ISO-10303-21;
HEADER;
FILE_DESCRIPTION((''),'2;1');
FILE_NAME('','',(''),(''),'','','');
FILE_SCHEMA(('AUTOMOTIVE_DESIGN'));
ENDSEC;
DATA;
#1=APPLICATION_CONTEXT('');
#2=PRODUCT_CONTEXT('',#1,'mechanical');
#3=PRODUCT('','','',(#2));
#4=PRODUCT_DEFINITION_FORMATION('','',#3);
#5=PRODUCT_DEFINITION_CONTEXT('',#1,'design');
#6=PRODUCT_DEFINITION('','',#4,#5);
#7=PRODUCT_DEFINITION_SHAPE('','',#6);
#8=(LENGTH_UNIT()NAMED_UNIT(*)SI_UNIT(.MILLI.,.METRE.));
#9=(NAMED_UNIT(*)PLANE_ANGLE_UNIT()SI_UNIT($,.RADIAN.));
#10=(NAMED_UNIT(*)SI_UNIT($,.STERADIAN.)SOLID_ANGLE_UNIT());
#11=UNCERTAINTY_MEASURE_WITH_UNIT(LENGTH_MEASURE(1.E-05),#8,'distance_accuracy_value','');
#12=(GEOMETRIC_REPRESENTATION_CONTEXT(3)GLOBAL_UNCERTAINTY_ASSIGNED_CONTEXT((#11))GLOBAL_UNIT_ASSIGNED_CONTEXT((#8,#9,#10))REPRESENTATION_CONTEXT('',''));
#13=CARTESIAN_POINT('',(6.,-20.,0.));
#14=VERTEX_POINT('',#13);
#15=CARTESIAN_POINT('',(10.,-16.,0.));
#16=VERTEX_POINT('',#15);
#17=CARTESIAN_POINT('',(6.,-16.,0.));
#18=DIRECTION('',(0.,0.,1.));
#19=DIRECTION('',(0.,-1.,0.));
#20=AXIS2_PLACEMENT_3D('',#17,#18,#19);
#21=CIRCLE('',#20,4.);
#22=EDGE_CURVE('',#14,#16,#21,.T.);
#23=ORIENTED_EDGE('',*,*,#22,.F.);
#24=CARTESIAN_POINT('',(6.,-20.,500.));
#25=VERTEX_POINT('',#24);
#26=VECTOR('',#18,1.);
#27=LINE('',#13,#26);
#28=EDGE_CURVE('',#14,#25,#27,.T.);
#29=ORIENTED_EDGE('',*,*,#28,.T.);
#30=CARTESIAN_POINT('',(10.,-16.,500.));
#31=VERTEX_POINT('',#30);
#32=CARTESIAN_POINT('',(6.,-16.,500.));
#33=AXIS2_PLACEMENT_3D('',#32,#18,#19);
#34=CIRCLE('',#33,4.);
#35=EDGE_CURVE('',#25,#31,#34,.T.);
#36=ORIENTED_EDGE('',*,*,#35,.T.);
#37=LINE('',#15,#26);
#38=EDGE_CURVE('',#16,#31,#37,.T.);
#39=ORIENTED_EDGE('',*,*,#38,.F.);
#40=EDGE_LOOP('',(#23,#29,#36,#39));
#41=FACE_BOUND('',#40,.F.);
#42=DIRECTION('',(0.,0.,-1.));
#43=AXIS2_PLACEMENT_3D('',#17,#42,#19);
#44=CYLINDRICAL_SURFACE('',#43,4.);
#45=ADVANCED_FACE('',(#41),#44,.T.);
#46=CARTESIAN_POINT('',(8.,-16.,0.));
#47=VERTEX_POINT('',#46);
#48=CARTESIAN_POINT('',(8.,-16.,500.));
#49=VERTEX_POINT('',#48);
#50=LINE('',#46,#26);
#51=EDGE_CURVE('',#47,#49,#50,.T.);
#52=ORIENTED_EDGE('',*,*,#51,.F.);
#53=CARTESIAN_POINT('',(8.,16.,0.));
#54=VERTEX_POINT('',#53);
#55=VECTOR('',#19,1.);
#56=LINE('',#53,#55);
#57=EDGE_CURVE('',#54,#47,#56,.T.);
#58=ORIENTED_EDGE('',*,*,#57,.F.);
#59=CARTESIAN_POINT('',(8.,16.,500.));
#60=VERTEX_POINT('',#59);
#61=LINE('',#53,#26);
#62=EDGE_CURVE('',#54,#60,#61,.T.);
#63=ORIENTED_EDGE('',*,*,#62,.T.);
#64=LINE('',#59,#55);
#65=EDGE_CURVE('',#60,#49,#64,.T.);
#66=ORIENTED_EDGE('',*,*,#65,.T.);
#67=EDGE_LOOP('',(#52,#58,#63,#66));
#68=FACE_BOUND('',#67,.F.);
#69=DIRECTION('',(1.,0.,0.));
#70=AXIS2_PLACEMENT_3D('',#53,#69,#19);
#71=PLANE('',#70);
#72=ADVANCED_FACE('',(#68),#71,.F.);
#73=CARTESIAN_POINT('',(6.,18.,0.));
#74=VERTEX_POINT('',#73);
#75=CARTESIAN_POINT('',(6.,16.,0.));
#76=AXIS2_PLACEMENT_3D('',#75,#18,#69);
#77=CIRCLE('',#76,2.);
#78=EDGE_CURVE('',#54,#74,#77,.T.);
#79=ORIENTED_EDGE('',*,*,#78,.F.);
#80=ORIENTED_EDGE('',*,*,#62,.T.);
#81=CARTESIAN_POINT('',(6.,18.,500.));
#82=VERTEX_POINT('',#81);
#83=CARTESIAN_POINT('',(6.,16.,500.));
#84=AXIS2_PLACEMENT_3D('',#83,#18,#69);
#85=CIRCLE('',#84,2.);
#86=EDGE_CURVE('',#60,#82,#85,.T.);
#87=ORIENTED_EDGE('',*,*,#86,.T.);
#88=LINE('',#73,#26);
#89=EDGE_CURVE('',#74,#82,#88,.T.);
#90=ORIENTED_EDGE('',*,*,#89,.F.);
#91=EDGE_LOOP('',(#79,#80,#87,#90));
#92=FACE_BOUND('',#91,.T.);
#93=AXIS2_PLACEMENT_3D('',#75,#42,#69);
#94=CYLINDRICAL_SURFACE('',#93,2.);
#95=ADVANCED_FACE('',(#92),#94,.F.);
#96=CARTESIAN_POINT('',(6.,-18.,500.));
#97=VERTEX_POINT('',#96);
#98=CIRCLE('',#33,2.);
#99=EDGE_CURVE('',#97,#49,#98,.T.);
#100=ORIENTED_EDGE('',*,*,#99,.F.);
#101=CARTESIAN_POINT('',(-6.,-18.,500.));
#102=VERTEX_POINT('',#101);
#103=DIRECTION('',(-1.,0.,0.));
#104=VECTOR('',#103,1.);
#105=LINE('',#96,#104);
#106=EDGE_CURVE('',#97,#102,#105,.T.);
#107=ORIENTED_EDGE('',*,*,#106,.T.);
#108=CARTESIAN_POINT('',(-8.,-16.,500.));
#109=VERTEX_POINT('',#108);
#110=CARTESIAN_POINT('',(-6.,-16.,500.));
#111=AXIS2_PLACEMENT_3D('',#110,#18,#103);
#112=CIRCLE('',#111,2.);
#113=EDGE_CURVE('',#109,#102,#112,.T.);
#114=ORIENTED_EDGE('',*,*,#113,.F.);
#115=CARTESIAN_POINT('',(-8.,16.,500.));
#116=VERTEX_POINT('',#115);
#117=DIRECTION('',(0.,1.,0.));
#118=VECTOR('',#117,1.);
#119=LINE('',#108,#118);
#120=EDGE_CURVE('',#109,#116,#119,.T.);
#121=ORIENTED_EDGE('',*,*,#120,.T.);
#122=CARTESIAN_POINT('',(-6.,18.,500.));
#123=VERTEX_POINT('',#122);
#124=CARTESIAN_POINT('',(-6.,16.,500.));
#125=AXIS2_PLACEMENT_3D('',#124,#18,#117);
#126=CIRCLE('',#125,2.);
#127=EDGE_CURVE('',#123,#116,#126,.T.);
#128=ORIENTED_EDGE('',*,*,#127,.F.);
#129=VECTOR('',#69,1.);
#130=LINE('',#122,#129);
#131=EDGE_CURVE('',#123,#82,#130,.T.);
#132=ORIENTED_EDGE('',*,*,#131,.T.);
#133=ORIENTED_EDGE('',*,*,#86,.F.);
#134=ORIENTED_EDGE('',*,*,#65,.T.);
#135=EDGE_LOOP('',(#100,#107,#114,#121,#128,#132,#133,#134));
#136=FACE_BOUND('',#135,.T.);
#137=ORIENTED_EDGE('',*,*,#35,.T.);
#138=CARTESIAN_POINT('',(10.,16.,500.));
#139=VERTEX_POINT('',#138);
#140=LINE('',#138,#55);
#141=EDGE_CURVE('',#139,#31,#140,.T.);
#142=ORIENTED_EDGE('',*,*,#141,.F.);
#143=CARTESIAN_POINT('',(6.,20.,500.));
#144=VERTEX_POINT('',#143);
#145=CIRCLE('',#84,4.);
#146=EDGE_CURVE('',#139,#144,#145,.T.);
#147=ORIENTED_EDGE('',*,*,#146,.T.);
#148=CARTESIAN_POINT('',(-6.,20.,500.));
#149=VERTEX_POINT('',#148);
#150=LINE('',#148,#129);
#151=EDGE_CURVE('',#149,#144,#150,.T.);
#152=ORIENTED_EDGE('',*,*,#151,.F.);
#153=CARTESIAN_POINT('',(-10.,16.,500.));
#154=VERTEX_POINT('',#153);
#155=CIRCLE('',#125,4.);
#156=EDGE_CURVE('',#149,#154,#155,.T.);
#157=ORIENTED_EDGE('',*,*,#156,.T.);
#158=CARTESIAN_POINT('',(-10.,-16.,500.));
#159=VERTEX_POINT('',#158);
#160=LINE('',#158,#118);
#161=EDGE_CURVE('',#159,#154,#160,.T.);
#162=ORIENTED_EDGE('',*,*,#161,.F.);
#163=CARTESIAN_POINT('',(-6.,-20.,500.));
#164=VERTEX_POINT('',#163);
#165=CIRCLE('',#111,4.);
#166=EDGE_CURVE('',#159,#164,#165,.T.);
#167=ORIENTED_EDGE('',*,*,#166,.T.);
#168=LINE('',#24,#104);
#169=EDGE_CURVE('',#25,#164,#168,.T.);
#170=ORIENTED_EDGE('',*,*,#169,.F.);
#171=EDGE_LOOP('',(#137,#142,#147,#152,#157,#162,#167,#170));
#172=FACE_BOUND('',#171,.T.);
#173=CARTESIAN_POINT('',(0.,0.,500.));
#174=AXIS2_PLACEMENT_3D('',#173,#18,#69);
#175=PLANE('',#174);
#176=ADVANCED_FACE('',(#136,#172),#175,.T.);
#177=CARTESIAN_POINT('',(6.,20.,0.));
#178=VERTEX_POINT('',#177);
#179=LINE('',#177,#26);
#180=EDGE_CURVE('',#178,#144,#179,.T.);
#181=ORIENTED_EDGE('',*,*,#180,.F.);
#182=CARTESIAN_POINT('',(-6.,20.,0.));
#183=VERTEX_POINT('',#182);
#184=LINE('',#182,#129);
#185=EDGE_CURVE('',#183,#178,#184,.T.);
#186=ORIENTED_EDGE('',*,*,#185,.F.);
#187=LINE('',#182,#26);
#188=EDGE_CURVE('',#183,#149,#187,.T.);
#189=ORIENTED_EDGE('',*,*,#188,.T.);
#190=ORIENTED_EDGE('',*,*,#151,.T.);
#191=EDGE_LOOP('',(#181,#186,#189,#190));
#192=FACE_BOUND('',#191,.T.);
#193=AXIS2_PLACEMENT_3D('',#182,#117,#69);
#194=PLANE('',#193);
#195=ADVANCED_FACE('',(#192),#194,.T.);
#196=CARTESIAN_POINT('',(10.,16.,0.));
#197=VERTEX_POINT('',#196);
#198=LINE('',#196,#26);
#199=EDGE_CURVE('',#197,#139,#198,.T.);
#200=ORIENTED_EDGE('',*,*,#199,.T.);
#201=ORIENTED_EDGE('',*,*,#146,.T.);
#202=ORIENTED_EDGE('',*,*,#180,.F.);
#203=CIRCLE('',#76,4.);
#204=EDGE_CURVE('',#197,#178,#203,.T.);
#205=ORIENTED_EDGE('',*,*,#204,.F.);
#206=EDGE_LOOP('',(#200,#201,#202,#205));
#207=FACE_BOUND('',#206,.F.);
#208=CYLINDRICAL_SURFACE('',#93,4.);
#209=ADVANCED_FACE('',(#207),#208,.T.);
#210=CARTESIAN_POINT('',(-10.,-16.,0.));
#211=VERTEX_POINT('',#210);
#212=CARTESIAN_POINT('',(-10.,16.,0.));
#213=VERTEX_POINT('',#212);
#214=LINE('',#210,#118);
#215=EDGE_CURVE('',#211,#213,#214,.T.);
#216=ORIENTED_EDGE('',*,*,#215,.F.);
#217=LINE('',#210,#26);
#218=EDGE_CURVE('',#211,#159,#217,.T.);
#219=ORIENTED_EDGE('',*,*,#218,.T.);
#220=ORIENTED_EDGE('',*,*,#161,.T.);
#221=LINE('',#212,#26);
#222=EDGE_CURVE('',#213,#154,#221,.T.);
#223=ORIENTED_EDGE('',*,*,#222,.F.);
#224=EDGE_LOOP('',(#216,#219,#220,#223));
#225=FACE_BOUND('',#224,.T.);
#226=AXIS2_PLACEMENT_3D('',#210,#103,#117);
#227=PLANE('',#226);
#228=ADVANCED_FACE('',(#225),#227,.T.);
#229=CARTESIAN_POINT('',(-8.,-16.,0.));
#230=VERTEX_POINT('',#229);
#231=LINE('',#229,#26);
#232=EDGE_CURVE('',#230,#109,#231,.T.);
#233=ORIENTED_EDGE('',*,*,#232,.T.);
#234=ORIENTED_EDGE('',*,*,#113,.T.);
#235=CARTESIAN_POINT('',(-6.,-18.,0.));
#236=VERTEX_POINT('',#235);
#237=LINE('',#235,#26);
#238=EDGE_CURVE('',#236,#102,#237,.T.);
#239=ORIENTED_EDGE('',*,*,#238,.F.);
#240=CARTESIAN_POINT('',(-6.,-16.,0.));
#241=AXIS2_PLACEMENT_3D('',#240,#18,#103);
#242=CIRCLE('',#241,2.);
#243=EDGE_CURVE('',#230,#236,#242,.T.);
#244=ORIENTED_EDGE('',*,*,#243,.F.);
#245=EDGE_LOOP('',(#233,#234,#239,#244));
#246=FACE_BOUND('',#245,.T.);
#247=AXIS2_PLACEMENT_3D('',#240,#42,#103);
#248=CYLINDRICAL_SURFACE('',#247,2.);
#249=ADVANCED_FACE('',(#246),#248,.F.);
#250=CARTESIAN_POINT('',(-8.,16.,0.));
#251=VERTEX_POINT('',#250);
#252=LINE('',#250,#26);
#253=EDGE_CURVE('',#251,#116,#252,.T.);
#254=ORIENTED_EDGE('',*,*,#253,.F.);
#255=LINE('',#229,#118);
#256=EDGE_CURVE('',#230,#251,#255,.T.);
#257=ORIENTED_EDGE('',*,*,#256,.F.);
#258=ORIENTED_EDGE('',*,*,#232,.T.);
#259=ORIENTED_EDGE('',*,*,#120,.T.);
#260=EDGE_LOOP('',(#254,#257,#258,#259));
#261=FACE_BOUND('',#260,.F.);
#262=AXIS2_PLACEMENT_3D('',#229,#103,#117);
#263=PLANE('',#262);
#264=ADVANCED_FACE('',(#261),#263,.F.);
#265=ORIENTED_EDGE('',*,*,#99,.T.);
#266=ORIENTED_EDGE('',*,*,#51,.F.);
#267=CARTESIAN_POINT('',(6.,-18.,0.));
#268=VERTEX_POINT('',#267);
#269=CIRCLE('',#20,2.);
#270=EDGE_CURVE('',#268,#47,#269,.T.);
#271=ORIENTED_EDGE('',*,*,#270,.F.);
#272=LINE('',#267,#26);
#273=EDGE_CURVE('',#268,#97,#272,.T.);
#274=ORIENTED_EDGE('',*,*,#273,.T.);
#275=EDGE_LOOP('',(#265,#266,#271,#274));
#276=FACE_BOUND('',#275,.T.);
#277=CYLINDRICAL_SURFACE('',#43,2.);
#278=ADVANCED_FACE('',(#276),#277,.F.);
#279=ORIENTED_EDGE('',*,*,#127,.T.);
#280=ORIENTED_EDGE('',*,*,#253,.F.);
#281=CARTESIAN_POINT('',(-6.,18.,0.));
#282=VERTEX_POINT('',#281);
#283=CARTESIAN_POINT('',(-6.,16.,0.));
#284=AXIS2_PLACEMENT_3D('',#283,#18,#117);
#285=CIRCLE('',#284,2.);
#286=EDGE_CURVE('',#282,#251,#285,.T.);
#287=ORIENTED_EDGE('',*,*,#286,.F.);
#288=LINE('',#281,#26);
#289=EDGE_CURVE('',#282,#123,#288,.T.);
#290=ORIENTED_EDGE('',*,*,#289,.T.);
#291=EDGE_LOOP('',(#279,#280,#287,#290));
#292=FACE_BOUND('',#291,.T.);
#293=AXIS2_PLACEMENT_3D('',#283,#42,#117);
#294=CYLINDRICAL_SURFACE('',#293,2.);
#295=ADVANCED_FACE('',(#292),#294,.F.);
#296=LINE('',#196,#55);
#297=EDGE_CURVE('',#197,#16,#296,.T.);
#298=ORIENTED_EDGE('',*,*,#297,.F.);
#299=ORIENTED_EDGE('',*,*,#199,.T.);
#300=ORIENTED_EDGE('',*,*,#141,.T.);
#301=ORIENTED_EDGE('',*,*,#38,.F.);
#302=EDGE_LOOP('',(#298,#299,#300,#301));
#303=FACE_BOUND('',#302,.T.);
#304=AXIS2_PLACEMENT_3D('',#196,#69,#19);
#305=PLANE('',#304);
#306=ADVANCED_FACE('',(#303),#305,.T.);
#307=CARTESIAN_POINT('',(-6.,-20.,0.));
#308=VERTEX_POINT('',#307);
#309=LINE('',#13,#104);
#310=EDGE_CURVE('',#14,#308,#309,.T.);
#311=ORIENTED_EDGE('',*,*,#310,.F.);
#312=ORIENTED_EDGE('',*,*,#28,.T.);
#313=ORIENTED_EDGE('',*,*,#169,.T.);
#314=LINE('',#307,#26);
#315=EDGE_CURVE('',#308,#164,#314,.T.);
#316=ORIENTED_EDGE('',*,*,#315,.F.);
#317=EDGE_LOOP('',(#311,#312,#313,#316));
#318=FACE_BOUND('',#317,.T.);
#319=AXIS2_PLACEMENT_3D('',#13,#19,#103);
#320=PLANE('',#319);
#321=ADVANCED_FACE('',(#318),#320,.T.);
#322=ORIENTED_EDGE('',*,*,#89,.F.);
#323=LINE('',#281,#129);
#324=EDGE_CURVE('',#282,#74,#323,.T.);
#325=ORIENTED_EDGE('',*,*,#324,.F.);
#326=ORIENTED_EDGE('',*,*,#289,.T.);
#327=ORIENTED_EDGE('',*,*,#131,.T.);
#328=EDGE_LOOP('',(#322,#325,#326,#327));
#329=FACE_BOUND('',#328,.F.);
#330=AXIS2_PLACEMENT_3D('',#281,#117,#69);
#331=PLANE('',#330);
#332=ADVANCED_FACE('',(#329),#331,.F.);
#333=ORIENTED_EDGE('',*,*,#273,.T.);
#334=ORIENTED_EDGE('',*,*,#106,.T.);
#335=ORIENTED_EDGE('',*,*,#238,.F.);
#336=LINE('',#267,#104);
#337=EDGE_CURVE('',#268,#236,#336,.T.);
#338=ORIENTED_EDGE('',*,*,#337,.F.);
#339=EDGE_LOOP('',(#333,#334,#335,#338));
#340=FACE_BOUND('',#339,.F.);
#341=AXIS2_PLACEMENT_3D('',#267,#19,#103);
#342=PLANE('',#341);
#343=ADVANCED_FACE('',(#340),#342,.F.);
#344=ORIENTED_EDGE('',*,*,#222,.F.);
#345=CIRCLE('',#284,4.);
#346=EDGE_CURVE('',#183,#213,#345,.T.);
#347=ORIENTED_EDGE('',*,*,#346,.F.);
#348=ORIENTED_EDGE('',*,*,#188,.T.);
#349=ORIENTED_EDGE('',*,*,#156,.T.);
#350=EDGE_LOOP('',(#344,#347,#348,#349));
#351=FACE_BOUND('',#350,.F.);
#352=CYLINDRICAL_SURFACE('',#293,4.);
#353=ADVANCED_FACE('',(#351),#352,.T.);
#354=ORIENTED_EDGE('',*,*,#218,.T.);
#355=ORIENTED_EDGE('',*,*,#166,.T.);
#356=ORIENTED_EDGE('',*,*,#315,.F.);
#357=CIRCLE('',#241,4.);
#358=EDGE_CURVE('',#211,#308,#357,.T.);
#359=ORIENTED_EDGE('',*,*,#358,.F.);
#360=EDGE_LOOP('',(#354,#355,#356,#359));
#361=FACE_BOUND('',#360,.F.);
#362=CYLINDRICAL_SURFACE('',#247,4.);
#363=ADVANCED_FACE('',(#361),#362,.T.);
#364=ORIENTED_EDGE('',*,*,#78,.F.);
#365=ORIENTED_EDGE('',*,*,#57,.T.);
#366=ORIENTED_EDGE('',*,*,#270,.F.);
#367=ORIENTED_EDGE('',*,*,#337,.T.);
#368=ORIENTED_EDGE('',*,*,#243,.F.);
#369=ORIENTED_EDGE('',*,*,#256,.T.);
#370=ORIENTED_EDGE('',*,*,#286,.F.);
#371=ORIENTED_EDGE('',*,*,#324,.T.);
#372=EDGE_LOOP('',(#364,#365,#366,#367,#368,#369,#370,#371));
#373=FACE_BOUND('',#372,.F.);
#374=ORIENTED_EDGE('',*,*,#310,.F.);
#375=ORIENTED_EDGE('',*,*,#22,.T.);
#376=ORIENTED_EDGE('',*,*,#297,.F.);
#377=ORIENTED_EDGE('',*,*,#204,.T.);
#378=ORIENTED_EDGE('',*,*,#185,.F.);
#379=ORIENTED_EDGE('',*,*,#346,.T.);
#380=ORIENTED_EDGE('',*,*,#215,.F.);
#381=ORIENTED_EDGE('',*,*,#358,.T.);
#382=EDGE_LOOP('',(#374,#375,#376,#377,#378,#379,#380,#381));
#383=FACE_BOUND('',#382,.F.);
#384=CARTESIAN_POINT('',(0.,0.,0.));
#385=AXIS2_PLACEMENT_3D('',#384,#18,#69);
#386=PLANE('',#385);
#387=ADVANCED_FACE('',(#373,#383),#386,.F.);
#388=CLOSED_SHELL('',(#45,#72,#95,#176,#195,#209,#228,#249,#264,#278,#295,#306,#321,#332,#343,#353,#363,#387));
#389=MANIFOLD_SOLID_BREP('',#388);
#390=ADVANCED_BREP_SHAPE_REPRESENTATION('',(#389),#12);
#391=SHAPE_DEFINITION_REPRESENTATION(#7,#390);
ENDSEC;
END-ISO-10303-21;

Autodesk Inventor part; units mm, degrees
ref_plane "YZ Plane" through (0, 0, 0) normal (1, 0, 0) x (0, 1, 0)
ref_plane "Start Plane" through (0, 0, 0) normal (0, 0, 1) x (1, 0, 0)
ref_plane "End Plane" through (0, 0, 500) normal (0, 0, 1) x (1, 0, 0)
sketch "Sketch" plane through (0, 0, 0) normal (0, 0, 1) x (1, 0, 0)
  line L0 (-10, -16) -> (-10, 16)
  line L1 (-6, 20) -> (6, 20)
  line L2 (10, 16) -> (10, -16)
  line L3 (6, -20) -> (-6, -20)
  arc A0 (-10, -16) -> (-6, -20) centre (-6, -16) ccw
  arc A1 (10, 16) -> (6, 20) centre (6, 16) ccw
  arc A2 (-6, 20) -> (-10, 16) centre (-6, 16) ccw
  arc A3 (6, -20) -> (10, -16) centre (6, -16) ccw
  arc A4 (-6, 18) -> (-8, 16) centre (-6, 16) ccw
  line L4 (-6, 18) -> (6, 18)
  arc A5 (8, 16) -> (6, 18) centre (6, 16) ccw
  line L5 (8, 16) -> (8, -16)
  arc A6 (6, -18) -> (8, -16) centre (6, -16) ccw
  line L6 (6, -18) -> (-6, -18)
  arc A7 (-8, -16) -> (-6, -18) centre (-6, -16) ccw
  line L7 (-8, -16) -> (-8, 16)
  line L8 (0, 29.1598) -> (0, -29.1598) construction
  line L9 (-15.1598, 0) -> (15.1598, 0) construction
  dimension "d7" = 4
  dimension "d9" = 20
  dimension "d11" = 40
  dimension "d12" = 2
  dimension "d15" = 10
  dimension "d16" = 20
extrude "Body" add sketch "Sketch" along normal up to surface (500 mm away) from surface at 0
sketch "Sketch3" plane through (0, 0, 0) normal (0, 0, 1) x (1, 0, 0)
  line L0 (0, 0) -> (10, 0)
ref_plane "Work Plane3" through (0, 0, 0) normal (0, -1, 0) x (1, 0, 0)
sketch "Sketch4" plane through (0, 0, 0) normal (0, -1, 0) x (1, 0, 0)
  line L0 (-2, 0) -> (12, 0) projected
  line L1 (-2, 500) -> (12, 500) projected
  dimension "d18" = 500
equation "\"d7\" = G_IR"
equation "\"d9\" = G_W"
equation "\"d11\" = G_H"
equation "\"d12\" = G_T"
equation "\"d15\" = 0.5 * d9"
equation "\"d16\" = 0.5 * d11"
equation "\"d3\" = G_L"
equation "\"G_W\" = 20"
equation "\"G_H\" = 40"
equation "\"G_T\" = 2"
equation "\"G_IR\" = 4"
equation "\"G_L\" = d18"
equation "\"G_OFFSET_START\" = 0"
equation "\"G_OFFSET_END\" = 0"
properties part number "ISO 10799-2 - 40x20x2 - 500" material "Steel, Mild"
